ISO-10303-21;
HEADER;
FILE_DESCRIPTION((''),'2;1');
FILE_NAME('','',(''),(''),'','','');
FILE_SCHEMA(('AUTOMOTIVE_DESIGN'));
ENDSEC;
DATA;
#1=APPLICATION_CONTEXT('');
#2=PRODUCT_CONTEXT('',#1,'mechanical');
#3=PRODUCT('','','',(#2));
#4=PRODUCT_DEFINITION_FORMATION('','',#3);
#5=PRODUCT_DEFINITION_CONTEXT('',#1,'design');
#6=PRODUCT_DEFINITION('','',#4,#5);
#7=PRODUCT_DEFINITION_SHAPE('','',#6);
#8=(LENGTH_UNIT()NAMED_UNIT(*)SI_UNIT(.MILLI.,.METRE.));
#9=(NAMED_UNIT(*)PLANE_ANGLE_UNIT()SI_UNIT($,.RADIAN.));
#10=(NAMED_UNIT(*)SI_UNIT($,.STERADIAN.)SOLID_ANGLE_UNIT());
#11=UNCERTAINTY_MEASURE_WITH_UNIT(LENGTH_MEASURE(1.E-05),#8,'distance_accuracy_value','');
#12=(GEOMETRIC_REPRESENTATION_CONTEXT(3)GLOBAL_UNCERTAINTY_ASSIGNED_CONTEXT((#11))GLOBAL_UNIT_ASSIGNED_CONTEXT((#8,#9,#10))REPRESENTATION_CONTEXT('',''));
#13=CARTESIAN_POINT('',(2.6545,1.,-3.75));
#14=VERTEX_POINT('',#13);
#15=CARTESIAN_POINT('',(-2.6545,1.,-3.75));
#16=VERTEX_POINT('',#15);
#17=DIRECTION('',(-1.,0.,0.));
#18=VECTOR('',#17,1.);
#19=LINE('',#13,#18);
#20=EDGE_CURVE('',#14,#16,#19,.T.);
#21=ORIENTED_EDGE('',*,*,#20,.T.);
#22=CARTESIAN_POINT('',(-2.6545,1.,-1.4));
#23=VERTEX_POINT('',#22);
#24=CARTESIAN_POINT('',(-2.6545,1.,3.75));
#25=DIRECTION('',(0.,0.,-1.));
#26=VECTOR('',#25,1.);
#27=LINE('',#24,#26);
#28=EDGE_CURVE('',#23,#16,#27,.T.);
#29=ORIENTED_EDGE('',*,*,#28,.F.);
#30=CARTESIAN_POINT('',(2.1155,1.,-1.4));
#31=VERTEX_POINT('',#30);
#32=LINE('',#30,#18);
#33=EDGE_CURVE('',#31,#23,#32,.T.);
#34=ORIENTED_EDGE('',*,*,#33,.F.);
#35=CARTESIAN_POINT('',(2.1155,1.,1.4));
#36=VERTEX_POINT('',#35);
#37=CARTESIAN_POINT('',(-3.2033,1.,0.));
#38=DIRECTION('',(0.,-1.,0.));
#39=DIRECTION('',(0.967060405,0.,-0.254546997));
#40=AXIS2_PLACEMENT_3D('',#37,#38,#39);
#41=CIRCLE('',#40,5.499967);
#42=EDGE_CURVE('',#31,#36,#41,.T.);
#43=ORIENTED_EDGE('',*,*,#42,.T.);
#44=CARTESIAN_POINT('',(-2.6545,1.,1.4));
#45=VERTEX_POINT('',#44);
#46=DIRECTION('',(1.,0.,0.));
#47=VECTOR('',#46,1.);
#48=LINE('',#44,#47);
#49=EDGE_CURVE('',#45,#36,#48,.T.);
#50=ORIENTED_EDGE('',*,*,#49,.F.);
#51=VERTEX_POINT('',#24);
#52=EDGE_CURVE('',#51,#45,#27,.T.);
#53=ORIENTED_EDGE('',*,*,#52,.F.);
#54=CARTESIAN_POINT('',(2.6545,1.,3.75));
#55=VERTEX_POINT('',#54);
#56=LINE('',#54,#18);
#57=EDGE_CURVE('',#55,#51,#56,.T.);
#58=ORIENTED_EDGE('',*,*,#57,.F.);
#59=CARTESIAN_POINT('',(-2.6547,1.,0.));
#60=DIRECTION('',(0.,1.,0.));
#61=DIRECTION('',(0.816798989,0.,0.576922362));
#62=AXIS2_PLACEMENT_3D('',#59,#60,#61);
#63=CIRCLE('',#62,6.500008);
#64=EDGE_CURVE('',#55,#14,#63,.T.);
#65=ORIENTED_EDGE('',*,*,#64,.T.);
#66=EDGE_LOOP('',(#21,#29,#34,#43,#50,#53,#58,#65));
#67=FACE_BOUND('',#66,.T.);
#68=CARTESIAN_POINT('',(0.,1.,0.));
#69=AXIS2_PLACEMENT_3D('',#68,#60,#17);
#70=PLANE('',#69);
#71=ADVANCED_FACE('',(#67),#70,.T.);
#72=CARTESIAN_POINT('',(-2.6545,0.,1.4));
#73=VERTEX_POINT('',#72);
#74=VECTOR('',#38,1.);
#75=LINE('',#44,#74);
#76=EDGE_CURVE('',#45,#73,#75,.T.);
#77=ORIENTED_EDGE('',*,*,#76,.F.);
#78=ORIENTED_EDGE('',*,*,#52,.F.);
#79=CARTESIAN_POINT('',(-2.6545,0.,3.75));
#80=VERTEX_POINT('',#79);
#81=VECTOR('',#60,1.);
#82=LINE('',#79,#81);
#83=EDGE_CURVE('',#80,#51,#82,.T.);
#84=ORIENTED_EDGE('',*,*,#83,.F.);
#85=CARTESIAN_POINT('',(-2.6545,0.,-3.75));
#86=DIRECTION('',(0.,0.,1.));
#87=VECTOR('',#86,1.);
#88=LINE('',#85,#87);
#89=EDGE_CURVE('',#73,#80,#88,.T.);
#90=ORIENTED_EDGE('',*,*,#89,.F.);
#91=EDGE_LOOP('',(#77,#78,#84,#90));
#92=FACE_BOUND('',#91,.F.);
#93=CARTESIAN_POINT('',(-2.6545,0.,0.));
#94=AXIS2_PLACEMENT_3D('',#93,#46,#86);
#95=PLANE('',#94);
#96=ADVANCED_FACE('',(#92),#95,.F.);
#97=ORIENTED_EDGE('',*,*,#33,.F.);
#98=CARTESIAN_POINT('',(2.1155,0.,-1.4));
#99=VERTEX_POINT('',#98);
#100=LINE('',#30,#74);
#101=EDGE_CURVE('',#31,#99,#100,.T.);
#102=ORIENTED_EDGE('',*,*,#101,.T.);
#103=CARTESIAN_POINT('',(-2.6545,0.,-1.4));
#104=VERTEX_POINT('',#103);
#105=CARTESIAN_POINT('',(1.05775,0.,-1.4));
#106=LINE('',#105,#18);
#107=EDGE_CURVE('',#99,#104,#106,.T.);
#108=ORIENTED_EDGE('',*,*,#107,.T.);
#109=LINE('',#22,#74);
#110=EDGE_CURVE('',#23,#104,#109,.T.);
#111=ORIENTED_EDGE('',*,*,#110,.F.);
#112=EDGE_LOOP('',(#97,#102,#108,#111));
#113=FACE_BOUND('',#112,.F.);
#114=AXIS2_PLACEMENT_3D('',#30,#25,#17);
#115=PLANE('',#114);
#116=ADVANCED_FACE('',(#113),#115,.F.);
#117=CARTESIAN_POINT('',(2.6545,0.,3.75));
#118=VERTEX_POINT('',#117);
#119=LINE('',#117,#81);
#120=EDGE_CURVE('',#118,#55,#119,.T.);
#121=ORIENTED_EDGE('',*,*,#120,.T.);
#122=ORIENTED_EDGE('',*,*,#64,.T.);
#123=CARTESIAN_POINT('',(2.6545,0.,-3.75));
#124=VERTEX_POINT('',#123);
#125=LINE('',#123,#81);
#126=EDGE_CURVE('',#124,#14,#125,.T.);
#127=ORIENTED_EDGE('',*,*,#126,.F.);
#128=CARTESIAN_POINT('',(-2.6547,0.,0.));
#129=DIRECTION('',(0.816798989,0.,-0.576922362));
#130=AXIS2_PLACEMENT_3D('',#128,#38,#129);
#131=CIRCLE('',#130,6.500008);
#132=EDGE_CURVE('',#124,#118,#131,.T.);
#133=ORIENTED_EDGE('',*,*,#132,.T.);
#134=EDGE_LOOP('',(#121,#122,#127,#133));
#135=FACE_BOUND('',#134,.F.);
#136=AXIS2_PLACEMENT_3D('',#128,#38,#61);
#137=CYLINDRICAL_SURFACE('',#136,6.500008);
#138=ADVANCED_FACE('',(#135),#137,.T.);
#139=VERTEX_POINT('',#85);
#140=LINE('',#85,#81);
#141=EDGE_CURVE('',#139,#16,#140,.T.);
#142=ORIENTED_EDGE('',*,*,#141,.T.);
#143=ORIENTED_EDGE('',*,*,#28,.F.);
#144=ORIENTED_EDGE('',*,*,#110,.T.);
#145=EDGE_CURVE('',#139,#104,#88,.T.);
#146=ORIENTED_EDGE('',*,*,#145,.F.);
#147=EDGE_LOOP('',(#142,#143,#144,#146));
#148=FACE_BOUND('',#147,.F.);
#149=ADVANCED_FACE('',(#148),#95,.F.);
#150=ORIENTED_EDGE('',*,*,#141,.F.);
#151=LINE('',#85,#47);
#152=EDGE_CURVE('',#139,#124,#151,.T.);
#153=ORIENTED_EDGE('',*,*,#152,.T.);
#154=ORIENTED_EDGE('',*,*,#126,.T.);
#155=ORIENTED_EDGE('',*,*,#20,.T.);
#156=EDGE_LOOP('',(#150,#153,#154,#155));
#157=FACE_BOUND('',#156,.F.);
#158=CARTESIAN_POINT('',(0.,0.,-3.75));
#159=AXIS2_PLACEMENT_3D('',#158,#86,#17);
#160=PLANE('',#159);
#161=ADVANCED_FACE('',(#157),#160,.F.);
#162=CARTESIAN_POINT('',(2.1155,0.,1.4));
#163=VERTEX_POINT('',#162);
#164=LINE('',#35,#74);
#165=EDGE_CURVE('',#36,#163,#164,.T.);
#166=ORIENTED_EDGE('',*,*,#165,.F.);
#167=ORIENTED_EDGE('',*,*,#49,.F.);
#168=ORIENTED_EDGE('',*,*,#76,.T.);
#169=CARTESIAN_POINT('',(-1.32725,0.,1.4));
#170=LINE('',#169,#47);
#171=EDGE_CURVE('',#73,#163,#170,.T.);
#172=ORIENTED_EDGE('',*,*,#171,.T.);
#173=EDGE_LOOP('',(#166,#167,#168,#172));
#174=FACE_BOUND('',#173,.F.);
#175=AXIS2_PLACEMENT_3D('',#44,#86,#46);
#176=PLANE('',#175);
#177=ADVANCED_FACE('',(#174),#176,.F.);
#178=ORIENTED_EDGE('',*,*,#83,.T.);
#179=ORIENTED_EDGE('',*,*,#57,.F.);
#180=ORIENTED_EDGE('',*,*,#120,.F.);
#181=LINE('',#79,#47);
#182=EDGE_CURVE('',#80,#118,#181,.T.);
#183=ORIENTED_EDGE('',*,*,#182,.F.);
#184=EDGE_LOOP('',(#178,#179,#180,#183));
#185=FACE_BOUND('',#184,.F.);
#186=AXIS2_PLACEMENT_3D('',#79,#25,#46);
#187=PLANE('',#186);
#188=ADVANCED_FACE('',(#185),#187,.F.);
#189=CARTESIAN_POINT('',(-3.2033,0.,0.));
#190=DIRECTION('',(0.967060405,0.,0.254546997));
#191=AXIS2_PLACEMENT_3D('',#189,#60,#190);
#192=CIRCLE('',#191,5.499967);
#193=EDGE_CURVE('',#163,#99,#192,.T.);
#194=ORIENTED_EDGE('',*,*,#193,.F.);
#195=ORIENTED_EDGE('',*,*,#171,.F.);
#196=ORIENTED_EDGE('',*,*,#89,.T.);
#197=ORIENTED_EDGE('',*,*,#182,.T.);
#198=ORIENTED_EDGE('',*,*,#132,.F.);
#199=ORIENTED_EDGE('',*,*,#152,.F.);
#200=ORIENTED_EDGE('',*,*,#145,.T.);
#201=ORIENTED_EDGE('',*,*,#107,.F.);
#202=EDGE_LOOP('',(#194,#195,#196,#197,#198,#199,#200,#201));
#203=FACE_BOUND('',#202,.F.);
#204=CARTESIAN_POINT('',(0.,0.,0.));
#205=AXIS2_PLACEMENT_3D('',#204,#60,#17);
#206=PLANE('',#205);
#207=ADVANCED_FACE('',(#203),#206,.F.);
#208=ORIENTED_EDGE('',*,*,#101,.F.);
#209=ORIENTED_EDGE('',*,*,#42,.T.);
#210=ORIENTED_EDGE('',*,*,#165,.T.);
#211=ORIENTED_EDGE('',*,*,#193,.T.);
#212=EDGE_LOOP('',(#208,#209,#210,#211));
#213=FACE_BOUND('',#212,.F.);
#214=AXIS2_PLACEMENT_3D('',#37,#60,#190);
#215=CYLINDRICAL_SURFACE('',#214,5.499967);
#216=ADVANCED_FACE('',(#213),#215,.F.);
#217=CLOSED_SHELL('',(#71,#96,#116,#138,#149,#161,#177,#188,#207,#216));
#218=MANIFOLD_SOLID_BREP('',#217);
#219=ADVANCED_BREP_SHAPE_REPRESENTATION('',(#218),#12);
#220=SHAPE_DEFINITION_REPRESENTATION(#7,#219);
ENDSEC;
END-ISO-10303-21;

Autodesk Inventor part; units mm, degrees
ref_plane "YZ Plane" through (0, 0, 0) normal (1, 0, 0) x (0, 1, 0)
ref_plane "XZ Plane" through (0, 0, 0) normal (0, 1, 0) x (-1, 0, 0)
ref_plane "XY Plane" through (0, 0, 0) normal (0, 0, 1) x (1, 0, 0)
sketch "Эскиз1" plane through (0, 0, 0) normal (0, 1, 0) x (-1, 0, 0)
  line L0 (2.6545, 3.75) -> (-2.6545, 3.75)
  line L1 (-2.6545, 3.75) -> (-2.6545, -3.75) construction
  line L2 (-2.6545, -3.75) -> (2.6545, -3.75)
  line L3 (2.6545, -3.75) -> (2.6545, 3.75)
  line L4 (3.9547, 0) -> (-5.1453, 0) projected
  line L5 (0, -5.25) -> (0, 5.25) projected
  arc A0 (-2.6545, 3.75) -> (-2.6545, -3.75) centre (2.6547, 0) ccw
  point P0 (0, 0)
  dimension "d0" = 5.309
  dimension "d1" = 7.5
  dimension "d2" = 6.5
extrude "Выдавливание1" add sketch "Эскиз1" along normal blind 1
sketch "Эскиз2" plane through (0, 1, 0) normal (0, 1, 0) x (1, 0, 0)
  line L0 (-2.6545, 3.75) -> (-2.6545, -3.75) projected
  line L1 (-2.6545, -1.4) -> (2.1155, -1.4)
  line L2 (2.1155, -1.4) -> (2.1155, 1.4) construction
  line L3 (2.1155, 1.4) -> (-2.6545, 1.4)
  line L4 (-2.6545, 1.4) -> (-2.6545, -1.4)
  line L5 (-4.6131, 0) -> (5.255, 0) projected
  arc A0 (2.1155, -1.4) -> (2.1155, 1.4) centre (-3.2033, 0) ccw
  point P0 (0, 0)
  dimension "d5" = 4.77
  dimension "d6" = 2.8
  dimension "d7" = 5.5
extrude "Выдавливание2" cut sketch "Эскиз2" against normal through all
properties part number "BUTTON_TOP"
